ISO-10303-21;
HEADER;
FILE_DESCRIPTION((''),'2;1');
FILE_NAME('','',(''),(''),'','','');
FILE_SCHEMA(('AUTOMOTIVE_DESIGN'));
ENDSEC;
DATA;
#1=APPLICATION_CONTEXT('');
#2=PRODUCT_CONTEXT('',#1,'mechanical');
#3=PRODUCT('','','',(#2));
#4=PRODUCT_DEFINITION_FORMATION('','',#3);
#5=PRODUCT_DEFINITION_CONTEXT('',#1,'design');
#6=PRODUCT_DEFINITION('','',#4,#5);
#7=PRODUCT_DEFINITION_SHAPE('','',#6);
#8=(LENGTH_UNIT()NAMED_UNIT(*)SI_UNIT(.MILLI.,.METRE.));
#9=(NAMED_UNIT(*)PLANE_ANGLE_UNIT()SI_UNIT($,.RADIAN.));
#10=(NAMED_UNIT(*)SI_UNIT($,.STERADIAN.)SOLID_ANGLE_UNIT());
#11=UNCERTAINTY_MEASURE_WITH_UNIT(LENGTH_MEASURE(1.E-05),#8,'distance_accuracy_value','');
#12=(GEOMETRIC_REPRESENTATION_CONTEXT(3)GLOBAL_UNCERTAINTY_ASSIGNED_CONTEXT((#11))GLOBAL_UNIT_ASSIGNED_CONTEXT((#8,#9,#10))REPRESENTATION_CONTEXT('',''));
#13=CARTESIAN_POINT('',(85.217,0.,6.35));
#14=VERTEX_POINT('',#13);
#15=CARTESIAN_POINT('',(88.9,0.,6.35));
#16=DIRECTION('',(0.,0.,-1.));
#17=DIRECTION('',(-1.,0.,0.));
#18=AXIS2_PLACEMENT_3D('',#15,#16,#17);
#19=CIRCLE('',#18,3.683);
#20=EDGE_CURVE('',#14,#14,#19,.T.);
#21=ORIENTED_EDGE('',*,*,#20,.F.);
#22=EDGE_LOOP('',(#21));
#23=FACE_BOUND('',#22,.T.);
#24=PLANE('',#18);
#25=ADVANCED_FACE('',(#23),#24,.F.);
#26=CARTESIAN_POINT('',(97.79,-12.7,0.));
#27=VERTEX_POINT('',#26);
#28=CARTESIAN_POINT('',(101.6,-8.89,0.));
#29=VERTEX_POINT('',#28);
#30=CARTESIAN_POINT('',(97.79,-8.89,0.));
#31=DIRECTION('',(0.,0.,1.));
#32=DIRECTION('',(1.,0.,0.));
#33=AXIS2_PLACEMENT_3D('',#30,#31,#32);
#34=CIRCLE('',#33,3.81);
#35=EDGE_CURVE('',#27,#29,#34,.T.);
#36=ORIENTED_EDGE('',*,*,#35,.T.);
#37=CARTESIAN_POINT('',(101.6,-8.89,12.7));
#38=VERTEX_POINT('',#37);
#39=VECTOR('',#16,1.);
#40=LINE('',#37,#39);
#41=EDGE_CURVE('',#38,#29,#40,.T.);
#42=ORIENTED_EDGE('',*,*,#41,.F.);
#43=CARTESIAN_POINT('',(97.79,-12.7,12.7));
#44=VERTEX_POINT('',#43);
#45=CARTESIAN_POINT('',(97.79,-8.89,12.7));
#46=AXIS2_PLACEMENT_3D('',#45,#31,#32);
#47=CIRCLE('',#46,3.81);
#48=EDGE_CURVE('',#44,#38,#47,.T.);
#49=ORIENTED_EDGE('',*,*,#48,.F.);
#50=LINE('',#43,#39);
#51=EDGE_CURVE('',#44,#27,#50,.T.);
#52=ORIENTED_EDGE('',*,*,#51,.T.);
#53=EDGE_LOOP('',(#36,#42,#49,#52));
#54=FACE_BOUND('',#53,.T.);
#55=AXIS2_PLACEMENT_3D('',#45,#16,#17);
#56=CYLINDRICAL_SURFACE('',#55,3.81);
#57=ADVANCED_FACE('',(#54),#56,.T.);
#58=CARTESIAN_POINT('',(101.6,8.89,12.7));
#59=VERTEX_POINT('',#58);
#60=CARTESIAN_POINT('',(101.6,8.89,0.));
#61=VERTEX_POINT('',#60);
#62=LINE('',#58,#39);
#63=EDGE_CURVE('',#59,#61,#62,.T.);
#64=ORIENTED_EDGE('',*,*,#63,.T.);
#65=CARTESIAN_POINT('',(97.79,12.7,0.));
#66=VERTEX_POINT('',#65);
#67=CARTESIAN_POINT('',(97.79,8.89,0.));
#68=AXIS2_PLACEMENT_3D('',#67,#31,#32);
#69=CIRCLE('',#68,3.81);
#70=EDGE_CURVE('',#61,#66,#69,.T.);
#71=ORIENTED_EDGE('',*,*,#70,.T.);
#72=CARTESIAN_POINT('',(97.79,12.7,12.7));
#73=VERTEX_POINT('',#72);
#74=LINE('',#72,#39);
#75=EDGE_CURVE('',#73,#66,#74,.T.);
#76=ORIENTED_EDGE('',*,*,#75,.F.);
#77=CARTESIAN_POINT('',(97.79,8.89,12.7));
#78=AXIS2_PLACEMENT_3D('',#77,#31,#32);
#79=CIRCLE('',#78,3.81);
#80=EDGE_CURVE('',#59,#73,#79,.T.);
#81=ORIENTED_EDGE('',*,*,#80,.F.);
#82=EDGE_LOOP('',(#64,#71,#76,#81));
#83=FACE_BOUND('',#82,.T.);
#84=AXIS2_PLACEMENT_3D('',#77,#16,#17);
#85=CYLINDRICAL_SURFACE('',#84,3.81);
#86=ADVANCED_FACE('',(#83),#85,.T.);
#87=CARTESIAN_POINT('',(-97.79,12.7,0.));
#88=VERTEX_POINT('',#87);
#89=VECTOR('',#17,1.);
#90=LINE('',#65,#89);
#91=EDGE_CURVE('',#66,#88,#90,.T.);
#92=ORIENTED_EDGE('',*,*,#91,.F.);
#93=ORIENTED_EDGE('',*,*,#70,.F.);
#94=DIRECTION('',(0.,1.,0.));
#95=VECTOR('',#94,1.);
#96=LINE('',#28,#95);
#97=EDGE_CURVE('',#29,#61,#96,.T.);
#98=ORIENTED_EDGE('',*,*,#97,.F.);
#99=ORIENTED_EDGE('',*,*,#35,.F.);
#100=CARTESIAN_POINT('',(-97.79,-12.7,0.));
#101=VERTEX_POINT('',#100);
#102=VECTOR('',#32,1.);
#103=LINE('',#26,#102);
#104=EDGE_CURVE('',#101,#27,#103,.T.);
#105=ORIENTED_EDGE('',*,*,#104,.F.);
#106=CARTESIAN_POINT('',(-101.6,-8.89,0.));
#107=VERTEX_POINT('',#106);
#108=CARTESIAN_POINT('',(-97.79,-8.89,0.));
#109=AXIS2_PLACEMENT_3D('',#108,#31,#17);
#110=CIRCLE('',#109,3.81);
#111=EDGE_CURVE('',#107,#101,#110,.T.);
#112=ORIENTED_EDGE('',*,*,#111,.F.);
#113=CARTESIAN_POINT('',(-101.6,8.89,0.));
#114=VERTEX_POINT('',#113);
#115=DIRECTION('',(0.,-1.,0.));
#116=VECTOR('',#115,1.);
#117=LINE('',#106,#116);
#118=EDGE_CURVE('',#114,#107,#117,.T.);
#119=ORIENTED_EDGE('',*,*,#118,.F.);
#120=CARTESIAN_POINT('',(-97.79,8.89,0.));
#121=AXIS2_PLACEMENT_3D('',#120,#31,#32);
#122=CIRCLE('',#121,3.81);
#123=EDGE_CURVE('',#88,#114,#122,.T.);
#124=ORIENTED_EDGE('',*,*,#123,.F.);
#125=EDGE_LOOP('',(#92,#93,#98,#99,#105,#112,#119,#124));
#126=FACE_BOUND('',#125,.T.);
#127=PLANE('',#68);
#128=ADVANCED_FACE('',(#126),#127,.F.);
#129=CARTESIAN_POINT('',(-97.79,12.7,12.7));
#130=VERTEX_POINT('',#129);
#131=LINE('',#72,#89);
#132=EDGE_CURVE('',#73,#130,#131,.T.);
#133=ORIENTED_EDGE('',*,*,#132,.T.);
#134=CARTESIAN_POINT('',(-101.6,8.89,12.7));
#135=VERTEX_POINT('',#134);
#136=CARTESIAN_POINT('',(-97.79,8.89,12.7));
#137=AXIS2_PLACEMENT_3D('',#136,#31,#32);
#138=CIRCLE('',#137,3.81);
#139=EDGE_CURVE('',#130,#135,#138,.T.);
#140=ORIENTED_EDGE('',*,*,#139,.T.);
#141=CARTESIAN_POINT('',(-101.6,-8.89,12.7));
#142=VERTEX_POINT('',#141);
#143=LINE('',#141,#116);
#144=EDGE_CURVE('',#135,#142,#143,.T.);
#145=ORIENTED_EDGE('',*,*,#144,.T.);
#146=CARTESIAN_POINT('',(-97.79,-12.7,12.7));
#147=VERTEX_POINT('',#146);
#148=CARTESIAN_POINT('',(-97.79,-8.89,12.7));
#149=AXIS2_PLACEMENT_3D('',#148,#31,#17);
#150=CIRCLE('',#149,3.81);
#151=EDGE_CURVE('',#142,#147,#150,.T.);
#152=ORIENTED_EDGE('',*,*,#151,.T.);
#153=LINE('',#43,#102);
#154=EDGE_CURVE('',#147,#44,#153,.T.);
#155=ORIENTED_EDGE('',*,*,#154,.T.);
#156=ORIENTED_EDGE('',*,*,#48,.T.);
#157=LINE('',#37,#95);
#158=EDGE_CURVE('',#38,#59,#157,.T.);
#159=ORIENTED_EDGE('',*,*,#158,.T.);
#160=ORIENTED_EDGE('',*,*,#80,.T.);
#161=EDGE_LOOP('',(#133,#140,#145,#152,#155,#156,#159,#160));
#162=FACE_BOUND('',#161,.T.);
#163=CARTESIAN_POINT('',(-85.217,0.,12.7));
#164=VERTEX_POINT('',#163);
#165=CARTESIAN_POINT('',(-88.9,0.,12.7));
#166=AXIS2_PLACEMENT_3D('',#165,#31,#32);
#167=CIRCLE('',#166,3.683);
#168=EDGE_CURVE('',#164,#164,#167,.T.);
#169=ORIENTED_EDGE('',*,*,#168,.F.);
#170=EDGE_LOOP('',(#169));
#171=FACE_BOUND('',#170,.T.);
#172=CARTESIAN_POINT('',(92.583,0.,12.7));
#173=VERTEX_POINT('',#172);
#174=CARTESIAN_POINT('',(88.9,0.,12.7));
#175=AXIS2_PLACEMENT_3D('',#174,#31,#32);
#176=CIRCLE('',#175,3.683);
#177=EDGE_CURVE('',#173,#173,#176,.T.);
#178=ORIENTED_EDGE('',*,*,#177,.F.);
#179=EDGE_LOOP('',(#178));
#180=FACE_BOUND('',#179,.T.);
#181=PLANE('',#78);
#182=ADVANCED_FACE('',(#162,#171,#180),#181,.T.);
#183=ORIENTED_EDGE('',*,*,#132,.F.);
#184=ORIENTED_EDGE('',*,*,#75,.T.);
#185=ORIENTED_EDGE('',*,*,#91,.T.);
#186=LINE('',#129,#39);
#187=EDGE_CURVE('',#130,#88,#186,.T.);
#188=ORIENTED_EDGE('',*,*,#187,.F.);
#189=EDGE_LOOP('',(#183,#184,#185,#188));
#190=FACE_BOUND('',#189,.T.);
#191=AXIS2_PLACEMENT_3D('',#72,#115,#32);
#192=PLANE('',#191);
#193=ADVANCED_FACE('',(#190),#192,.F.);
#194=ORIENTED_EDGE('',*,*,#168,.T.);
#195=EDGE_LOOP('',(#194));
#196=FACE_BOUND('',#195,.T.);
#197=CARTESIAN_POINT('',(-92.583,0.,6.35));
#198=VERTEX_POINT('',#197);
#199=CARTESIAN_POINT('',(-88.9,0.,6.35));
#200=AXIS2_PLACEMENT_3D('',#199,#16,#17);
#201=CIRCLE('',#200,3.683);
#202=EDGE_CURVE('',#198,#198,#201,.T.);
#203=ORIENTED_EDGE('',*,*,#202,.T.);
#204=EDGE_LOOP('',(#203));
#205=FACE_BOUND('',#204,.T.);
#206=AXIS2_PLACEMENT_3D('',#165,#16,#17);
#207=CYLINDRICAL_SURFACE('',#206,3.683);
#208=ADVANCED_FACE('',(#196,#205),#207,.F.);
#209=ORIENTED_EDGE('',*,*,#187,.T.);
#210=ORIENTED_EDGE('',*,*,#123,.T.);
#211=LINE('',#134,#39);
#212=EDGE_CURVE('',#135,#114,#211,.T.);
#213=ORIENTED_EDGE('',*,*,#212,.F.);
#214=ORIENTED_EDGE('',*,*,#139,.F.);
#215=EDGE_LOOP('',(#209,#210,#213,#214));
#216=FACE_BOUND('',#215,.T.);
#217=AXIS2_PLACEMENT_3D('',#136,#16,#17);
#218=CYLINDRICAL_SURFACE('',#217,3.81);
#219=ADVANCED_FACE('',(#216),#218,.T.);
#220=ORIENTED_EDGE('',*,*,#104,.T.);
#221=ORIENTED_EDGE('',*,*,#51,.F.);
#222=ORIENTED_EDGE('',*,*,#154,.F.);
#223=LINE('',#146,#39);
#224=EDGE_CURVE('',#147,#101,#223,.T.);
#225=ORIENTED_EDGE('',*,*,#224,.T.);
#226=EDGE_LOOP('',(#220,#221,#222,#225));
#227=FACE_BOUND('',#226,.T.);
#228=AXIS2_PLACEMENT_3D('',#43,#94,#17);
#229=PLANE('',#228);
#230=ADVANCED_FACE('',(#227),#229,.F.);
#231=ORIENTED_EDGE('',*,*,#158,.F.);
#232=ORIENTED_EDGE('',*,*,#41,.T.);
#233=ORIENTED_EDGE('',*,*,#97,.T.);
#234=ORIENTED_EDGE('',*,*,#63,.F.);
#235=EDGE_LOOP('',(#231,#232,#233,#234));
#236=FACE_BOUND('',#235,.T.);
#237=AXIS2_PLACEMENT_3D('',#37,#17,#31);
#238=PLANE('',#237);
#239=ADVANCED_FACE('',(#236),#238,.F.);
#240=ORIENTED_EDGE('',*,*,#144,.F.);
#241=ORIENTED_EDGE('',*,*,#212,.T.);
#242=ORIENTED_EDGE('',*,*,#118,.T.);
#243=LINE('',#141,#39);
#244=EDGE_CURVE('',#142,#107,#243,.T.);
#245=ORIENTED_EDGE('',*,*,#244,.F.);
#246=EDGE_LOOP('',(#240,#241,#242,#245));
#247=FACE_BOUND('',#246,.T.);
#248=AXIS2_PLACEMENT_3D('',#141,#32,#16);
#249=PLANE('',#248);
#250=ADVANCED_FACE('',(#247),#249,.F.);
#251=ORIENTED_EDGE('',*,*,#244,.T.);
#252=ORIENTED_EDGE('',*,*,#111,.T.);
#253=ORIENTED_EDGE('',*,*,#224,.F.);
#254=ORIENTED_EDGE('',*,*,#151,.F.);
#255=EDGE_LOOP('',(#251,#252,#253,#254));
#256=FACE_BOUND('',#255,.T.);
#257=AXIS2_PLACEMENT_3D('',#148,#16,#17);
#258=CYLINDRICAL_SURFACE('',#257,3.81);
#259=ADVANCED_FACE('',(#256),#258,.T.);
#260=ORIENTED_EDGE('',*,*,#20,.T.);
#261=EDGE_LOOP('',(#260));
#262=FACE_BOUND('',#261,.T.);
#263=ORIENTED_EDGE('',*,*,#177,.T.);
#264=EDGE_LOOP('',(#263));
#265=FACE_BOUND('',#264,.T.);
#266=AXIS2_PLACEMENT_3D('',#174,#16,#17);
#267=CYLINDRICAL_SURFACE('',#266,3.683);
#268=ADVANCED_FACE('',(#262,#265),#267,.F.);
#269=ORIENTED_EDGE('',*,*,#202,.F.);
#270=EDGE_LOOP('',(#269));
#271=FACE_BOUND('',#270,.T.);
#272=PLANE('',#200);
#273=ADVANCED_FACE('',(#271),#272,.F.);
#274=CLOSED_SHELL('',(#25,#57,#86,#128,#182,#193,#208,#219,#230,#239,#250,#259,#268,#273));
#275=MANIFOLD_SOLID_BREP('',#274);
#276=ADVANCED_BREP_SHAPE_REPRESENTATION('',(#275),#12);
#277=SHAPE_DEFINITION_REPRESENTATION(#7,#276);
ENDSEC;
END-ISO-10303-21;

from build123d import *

# Parameters (mm, degrees)
SKETCH1_R           = 3.683
BOSS_EXTRUDE1_DEPTH = 12.7
SKETCH2_R           = 3.683
BOSS_EXTRUDE2_DEPTH = 6.35


with BuildPart() as part:
    # Sketch1 → Boss-Extrude1 (new body)
    with BuildSketch(Plane.XY):
        with BuildLine():
            Line((97.79, -12.7), (-97.79, -12.7))
            ThreePointArc((-97.79, -12.7), (-100.484076836, -11.584076836), (-101.6, -8.89))
            Line((-101.6, -8.89), (-101.6, 8.89))
            ThreePointArc((-101.6, 8.89), (-100.484076836, 11.584076836), (-97.79, 12.7))
            Line((-97.79, 12.7), (97.79, 12.7))
            ThreePointArc((97.79, 12.7), (100.484076836, 11.584076836), (101.6, 8.89))
            Line((101.6, 8.89), (101.6, -8.89))
            ThreePointArc((101.6, -8.89), (100.484076836, -11.584076836), (97.79, -12.7))
        make_face()
        with Locations((-88.9, 0)):
            Circle(SKETCH1_R, mode=Mode.SUBTRACT)
        with Locations((88.9, 0)):
            Circle(SKETCH1_R, mode=Mode.SUBTRACT)
    extrude(amount=BOSS_EXTRUDE1_DEPTH)

    # Sketch2 → Boss-Extrude2 (add)
    with BuildSketch(Plane(origin=(0, 0, 0), x_dir=(-1, 0, 0), z_dir=(0, 0, -1))):
        with Locations((-88.9, 0)):
            Circle(SKETCH2_R)
        with Locations((88.9, 0)):
            Circle(SKETCH2_R)
    extrude(amount=-BOSS_EXTRUDE2_DEPTH)


solid = part.part
